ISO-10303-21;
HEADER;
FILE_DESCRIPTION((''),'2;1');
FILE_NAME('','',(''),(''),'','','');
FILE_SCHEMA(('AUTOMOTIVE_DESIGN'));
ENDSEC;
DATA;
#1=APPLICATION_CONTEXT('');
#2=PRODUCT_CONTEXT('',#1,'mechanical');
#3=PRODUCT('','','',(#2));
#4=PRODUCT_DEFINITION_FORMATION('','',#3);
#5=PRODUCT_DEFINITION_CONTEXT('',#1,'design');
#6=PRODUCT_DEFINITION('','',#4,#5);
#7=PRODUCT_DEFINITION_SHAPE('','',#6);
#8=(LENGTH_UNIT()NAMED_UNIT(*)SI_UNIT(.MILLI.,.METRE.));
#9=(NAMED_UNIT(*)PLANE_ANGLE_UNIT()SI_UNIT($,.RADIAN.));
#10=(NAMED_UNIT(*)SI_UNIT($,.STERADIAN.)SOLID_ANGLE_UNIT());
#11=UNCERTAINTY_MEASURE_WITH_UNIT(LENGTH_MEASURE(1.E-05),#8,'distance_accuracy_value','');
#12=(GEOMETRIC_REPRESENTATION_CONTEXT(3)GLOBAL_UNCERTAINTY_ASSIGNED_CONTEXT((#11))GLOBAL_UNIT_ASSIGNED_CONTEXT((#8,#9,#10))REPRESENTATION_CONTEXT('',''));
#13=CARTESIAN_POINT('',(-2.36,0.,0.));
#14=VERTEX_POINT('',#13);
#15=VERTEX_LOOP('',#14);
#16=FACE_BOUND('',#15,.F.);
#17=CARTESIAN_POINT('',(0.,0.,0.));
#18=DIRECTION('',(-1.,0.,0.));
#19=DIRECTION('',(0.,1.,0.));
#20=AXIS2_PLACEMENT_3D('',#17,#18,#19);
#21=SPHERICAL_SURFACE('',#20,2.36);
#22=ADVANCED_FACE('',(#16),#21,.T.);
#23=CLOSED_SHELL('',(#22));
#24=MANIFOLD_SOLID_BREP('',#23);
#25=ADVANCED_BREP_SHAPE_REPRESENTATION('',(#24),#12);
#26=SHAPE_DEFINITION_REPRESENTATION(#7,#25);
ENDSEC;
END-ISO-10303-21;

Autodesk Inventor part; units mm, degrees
sketch "Sketch_1" plane through (0, 0, 0) normal (0, 0, 1) x (1, 0, 0)
  line L0 (2.36, 0) -> (-2.36, 0)
  arc A0 (2.36, 0) -> (-2.36, 0) centre (0, 0) ccw
  line L1 (2.36, 0) -> (-2.36, 0)
revolve "Revolution1" add sketch "Sketch_1" angle 360 about axis through (2.36, 0, 0) along (1, 0, 0)
ref_plane "dgbb_ball_XY" through (0, 0, 0) normal (1, 0, 0) x (0, 0, -1)
ref_plane "dgbb_ball_YZ" through (0, 0, 0) normal (0, 0, -1) x (0, 1, 0)
ref_plane "dgbb_ball_ZX" through (0, 0, 0) normal (0, 1, 0) x (1, 0, 0)
properties part number "6001JRX Ball"
